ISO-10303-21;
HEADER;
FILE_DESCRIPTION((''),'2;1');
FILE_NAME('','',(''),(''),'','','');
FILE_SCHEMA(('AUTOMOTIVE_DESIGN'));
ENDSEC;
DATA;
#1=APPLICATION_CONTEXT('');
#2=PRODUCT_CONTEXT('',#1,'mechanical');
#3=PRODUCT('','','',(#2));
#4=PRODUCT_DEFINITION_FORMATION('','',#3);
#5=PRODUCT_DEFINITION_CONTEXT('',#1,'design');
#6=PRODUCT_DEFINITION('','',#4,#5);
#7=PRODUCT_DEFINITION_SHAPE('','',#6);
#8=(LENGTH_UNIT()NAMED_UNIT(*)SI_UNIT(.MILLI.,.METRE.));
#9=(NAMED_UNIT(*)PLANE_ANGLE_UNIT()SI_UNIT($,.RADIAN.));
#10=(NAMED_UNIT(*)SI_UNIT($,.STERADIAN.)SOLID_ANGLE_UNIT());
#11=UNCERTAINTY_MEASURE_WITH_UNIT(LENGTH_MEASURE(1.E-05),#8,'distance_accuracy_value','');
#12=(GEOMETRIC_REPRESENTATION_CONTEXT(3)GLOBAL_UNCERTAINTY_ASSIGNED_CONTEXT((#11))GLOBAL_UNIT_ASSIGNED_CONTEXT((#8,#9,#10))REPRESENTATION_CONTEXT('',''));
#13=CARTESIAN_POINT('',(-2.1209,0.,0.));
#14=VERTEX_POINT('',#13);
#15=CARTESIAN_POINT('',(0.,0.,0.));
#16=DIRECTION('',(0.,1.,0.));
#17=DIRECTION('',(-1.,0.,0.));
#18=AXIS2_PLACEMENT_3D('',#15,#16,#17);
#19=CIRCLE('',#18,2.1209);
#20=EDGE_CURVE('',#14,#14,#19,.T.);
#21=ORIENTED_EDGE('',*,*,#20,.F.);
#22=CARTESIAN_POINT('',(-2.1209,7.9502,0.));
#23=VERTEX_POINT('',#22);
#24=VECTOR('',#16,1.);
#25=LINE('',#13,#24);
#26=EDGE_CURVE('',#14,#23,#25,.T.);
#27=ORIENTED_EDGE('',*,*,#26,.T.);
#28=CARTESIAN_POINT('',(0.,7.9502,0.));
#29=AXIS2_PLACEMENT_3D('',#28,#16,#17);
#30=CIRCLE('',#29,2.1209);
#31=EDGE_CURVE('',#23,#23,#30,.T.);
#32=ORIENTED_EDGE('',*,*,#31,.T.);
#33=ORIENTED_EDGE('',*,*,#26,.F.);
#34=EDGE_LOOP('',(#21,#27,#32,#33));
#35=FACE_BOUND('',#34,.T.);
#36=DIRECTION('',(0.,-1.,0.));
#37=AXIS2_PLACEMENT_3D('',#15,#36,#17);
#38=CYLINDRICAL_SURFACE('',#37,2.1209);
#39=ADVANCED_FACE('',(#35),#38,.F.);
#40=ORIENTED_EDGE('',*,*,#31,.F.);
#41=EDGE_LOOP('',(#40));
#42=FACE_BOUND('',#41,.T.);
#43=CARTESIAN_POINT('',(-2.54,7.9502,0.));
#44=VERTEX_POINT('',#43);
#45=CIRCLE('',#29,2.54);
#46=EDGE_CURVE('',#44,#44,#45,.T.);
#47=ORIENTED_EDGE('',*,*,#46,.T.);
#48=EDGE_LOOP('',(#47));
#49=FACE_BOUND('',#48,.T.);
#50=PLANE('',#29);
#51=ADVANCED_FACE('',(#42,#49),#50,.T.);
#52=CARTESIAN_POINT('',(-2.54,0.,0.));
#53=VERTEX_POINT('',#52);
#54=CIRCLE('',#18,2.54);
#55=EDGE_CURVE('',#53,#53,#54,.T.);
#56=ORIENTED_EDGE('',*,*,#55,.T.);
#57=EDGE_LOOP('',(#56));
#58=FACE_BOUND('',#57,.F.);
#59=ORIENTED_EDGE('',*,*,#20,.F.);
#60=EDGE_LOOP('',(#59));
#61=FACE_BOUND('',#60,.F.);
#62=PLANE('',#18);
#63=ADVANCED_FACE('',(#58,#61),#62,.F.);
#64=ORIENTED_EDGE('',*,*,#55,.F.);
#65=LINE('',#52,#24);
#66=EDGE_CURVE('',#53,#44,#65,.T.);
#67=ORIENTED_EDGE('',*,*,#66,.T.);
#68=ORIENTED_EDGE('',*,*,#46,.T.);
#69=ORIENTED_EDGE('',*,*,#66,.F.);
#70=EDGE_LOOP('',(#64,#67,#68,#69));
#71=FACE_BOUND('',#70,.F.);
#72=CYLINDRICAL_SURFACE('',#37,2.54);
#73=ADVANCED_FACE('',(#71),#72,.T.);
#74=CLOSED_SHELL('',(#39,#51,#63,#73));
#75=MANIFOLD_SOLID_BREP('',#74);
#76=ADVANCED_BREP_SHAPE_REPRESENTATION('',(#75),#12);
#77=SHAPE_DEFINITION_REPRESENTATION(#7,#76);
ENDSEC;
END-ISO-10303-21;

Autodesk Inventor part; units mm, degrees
ref_plane "YZ Plane" through (0, 0, 0) normal (1, 0, 0) x (0, 1, 0)
ref_plane "XZ Plane" through (0, 0, 0) normal (0, 1, 0) x (-1, 0, 0)
ref_plane "XY Plane" through (0, 0, 0) normal (0, 0, 1) x (1, 0, 0)
sketch "Sketch1" plane through (0, 0, 0) normal (0, 1, 0) x (-1, 0, 0)
  circle A0 centre (0, 0) radius 2.54
  circle A1 centre (0, 0) radius 2.1209
  dimension "d0" = 5.08
  dimension "d1" = 4.2418
extrude "Extrusion1" add sketch "Sketch1" along normal blind 7.9502
properties part number "Thin_spacer_custom"
